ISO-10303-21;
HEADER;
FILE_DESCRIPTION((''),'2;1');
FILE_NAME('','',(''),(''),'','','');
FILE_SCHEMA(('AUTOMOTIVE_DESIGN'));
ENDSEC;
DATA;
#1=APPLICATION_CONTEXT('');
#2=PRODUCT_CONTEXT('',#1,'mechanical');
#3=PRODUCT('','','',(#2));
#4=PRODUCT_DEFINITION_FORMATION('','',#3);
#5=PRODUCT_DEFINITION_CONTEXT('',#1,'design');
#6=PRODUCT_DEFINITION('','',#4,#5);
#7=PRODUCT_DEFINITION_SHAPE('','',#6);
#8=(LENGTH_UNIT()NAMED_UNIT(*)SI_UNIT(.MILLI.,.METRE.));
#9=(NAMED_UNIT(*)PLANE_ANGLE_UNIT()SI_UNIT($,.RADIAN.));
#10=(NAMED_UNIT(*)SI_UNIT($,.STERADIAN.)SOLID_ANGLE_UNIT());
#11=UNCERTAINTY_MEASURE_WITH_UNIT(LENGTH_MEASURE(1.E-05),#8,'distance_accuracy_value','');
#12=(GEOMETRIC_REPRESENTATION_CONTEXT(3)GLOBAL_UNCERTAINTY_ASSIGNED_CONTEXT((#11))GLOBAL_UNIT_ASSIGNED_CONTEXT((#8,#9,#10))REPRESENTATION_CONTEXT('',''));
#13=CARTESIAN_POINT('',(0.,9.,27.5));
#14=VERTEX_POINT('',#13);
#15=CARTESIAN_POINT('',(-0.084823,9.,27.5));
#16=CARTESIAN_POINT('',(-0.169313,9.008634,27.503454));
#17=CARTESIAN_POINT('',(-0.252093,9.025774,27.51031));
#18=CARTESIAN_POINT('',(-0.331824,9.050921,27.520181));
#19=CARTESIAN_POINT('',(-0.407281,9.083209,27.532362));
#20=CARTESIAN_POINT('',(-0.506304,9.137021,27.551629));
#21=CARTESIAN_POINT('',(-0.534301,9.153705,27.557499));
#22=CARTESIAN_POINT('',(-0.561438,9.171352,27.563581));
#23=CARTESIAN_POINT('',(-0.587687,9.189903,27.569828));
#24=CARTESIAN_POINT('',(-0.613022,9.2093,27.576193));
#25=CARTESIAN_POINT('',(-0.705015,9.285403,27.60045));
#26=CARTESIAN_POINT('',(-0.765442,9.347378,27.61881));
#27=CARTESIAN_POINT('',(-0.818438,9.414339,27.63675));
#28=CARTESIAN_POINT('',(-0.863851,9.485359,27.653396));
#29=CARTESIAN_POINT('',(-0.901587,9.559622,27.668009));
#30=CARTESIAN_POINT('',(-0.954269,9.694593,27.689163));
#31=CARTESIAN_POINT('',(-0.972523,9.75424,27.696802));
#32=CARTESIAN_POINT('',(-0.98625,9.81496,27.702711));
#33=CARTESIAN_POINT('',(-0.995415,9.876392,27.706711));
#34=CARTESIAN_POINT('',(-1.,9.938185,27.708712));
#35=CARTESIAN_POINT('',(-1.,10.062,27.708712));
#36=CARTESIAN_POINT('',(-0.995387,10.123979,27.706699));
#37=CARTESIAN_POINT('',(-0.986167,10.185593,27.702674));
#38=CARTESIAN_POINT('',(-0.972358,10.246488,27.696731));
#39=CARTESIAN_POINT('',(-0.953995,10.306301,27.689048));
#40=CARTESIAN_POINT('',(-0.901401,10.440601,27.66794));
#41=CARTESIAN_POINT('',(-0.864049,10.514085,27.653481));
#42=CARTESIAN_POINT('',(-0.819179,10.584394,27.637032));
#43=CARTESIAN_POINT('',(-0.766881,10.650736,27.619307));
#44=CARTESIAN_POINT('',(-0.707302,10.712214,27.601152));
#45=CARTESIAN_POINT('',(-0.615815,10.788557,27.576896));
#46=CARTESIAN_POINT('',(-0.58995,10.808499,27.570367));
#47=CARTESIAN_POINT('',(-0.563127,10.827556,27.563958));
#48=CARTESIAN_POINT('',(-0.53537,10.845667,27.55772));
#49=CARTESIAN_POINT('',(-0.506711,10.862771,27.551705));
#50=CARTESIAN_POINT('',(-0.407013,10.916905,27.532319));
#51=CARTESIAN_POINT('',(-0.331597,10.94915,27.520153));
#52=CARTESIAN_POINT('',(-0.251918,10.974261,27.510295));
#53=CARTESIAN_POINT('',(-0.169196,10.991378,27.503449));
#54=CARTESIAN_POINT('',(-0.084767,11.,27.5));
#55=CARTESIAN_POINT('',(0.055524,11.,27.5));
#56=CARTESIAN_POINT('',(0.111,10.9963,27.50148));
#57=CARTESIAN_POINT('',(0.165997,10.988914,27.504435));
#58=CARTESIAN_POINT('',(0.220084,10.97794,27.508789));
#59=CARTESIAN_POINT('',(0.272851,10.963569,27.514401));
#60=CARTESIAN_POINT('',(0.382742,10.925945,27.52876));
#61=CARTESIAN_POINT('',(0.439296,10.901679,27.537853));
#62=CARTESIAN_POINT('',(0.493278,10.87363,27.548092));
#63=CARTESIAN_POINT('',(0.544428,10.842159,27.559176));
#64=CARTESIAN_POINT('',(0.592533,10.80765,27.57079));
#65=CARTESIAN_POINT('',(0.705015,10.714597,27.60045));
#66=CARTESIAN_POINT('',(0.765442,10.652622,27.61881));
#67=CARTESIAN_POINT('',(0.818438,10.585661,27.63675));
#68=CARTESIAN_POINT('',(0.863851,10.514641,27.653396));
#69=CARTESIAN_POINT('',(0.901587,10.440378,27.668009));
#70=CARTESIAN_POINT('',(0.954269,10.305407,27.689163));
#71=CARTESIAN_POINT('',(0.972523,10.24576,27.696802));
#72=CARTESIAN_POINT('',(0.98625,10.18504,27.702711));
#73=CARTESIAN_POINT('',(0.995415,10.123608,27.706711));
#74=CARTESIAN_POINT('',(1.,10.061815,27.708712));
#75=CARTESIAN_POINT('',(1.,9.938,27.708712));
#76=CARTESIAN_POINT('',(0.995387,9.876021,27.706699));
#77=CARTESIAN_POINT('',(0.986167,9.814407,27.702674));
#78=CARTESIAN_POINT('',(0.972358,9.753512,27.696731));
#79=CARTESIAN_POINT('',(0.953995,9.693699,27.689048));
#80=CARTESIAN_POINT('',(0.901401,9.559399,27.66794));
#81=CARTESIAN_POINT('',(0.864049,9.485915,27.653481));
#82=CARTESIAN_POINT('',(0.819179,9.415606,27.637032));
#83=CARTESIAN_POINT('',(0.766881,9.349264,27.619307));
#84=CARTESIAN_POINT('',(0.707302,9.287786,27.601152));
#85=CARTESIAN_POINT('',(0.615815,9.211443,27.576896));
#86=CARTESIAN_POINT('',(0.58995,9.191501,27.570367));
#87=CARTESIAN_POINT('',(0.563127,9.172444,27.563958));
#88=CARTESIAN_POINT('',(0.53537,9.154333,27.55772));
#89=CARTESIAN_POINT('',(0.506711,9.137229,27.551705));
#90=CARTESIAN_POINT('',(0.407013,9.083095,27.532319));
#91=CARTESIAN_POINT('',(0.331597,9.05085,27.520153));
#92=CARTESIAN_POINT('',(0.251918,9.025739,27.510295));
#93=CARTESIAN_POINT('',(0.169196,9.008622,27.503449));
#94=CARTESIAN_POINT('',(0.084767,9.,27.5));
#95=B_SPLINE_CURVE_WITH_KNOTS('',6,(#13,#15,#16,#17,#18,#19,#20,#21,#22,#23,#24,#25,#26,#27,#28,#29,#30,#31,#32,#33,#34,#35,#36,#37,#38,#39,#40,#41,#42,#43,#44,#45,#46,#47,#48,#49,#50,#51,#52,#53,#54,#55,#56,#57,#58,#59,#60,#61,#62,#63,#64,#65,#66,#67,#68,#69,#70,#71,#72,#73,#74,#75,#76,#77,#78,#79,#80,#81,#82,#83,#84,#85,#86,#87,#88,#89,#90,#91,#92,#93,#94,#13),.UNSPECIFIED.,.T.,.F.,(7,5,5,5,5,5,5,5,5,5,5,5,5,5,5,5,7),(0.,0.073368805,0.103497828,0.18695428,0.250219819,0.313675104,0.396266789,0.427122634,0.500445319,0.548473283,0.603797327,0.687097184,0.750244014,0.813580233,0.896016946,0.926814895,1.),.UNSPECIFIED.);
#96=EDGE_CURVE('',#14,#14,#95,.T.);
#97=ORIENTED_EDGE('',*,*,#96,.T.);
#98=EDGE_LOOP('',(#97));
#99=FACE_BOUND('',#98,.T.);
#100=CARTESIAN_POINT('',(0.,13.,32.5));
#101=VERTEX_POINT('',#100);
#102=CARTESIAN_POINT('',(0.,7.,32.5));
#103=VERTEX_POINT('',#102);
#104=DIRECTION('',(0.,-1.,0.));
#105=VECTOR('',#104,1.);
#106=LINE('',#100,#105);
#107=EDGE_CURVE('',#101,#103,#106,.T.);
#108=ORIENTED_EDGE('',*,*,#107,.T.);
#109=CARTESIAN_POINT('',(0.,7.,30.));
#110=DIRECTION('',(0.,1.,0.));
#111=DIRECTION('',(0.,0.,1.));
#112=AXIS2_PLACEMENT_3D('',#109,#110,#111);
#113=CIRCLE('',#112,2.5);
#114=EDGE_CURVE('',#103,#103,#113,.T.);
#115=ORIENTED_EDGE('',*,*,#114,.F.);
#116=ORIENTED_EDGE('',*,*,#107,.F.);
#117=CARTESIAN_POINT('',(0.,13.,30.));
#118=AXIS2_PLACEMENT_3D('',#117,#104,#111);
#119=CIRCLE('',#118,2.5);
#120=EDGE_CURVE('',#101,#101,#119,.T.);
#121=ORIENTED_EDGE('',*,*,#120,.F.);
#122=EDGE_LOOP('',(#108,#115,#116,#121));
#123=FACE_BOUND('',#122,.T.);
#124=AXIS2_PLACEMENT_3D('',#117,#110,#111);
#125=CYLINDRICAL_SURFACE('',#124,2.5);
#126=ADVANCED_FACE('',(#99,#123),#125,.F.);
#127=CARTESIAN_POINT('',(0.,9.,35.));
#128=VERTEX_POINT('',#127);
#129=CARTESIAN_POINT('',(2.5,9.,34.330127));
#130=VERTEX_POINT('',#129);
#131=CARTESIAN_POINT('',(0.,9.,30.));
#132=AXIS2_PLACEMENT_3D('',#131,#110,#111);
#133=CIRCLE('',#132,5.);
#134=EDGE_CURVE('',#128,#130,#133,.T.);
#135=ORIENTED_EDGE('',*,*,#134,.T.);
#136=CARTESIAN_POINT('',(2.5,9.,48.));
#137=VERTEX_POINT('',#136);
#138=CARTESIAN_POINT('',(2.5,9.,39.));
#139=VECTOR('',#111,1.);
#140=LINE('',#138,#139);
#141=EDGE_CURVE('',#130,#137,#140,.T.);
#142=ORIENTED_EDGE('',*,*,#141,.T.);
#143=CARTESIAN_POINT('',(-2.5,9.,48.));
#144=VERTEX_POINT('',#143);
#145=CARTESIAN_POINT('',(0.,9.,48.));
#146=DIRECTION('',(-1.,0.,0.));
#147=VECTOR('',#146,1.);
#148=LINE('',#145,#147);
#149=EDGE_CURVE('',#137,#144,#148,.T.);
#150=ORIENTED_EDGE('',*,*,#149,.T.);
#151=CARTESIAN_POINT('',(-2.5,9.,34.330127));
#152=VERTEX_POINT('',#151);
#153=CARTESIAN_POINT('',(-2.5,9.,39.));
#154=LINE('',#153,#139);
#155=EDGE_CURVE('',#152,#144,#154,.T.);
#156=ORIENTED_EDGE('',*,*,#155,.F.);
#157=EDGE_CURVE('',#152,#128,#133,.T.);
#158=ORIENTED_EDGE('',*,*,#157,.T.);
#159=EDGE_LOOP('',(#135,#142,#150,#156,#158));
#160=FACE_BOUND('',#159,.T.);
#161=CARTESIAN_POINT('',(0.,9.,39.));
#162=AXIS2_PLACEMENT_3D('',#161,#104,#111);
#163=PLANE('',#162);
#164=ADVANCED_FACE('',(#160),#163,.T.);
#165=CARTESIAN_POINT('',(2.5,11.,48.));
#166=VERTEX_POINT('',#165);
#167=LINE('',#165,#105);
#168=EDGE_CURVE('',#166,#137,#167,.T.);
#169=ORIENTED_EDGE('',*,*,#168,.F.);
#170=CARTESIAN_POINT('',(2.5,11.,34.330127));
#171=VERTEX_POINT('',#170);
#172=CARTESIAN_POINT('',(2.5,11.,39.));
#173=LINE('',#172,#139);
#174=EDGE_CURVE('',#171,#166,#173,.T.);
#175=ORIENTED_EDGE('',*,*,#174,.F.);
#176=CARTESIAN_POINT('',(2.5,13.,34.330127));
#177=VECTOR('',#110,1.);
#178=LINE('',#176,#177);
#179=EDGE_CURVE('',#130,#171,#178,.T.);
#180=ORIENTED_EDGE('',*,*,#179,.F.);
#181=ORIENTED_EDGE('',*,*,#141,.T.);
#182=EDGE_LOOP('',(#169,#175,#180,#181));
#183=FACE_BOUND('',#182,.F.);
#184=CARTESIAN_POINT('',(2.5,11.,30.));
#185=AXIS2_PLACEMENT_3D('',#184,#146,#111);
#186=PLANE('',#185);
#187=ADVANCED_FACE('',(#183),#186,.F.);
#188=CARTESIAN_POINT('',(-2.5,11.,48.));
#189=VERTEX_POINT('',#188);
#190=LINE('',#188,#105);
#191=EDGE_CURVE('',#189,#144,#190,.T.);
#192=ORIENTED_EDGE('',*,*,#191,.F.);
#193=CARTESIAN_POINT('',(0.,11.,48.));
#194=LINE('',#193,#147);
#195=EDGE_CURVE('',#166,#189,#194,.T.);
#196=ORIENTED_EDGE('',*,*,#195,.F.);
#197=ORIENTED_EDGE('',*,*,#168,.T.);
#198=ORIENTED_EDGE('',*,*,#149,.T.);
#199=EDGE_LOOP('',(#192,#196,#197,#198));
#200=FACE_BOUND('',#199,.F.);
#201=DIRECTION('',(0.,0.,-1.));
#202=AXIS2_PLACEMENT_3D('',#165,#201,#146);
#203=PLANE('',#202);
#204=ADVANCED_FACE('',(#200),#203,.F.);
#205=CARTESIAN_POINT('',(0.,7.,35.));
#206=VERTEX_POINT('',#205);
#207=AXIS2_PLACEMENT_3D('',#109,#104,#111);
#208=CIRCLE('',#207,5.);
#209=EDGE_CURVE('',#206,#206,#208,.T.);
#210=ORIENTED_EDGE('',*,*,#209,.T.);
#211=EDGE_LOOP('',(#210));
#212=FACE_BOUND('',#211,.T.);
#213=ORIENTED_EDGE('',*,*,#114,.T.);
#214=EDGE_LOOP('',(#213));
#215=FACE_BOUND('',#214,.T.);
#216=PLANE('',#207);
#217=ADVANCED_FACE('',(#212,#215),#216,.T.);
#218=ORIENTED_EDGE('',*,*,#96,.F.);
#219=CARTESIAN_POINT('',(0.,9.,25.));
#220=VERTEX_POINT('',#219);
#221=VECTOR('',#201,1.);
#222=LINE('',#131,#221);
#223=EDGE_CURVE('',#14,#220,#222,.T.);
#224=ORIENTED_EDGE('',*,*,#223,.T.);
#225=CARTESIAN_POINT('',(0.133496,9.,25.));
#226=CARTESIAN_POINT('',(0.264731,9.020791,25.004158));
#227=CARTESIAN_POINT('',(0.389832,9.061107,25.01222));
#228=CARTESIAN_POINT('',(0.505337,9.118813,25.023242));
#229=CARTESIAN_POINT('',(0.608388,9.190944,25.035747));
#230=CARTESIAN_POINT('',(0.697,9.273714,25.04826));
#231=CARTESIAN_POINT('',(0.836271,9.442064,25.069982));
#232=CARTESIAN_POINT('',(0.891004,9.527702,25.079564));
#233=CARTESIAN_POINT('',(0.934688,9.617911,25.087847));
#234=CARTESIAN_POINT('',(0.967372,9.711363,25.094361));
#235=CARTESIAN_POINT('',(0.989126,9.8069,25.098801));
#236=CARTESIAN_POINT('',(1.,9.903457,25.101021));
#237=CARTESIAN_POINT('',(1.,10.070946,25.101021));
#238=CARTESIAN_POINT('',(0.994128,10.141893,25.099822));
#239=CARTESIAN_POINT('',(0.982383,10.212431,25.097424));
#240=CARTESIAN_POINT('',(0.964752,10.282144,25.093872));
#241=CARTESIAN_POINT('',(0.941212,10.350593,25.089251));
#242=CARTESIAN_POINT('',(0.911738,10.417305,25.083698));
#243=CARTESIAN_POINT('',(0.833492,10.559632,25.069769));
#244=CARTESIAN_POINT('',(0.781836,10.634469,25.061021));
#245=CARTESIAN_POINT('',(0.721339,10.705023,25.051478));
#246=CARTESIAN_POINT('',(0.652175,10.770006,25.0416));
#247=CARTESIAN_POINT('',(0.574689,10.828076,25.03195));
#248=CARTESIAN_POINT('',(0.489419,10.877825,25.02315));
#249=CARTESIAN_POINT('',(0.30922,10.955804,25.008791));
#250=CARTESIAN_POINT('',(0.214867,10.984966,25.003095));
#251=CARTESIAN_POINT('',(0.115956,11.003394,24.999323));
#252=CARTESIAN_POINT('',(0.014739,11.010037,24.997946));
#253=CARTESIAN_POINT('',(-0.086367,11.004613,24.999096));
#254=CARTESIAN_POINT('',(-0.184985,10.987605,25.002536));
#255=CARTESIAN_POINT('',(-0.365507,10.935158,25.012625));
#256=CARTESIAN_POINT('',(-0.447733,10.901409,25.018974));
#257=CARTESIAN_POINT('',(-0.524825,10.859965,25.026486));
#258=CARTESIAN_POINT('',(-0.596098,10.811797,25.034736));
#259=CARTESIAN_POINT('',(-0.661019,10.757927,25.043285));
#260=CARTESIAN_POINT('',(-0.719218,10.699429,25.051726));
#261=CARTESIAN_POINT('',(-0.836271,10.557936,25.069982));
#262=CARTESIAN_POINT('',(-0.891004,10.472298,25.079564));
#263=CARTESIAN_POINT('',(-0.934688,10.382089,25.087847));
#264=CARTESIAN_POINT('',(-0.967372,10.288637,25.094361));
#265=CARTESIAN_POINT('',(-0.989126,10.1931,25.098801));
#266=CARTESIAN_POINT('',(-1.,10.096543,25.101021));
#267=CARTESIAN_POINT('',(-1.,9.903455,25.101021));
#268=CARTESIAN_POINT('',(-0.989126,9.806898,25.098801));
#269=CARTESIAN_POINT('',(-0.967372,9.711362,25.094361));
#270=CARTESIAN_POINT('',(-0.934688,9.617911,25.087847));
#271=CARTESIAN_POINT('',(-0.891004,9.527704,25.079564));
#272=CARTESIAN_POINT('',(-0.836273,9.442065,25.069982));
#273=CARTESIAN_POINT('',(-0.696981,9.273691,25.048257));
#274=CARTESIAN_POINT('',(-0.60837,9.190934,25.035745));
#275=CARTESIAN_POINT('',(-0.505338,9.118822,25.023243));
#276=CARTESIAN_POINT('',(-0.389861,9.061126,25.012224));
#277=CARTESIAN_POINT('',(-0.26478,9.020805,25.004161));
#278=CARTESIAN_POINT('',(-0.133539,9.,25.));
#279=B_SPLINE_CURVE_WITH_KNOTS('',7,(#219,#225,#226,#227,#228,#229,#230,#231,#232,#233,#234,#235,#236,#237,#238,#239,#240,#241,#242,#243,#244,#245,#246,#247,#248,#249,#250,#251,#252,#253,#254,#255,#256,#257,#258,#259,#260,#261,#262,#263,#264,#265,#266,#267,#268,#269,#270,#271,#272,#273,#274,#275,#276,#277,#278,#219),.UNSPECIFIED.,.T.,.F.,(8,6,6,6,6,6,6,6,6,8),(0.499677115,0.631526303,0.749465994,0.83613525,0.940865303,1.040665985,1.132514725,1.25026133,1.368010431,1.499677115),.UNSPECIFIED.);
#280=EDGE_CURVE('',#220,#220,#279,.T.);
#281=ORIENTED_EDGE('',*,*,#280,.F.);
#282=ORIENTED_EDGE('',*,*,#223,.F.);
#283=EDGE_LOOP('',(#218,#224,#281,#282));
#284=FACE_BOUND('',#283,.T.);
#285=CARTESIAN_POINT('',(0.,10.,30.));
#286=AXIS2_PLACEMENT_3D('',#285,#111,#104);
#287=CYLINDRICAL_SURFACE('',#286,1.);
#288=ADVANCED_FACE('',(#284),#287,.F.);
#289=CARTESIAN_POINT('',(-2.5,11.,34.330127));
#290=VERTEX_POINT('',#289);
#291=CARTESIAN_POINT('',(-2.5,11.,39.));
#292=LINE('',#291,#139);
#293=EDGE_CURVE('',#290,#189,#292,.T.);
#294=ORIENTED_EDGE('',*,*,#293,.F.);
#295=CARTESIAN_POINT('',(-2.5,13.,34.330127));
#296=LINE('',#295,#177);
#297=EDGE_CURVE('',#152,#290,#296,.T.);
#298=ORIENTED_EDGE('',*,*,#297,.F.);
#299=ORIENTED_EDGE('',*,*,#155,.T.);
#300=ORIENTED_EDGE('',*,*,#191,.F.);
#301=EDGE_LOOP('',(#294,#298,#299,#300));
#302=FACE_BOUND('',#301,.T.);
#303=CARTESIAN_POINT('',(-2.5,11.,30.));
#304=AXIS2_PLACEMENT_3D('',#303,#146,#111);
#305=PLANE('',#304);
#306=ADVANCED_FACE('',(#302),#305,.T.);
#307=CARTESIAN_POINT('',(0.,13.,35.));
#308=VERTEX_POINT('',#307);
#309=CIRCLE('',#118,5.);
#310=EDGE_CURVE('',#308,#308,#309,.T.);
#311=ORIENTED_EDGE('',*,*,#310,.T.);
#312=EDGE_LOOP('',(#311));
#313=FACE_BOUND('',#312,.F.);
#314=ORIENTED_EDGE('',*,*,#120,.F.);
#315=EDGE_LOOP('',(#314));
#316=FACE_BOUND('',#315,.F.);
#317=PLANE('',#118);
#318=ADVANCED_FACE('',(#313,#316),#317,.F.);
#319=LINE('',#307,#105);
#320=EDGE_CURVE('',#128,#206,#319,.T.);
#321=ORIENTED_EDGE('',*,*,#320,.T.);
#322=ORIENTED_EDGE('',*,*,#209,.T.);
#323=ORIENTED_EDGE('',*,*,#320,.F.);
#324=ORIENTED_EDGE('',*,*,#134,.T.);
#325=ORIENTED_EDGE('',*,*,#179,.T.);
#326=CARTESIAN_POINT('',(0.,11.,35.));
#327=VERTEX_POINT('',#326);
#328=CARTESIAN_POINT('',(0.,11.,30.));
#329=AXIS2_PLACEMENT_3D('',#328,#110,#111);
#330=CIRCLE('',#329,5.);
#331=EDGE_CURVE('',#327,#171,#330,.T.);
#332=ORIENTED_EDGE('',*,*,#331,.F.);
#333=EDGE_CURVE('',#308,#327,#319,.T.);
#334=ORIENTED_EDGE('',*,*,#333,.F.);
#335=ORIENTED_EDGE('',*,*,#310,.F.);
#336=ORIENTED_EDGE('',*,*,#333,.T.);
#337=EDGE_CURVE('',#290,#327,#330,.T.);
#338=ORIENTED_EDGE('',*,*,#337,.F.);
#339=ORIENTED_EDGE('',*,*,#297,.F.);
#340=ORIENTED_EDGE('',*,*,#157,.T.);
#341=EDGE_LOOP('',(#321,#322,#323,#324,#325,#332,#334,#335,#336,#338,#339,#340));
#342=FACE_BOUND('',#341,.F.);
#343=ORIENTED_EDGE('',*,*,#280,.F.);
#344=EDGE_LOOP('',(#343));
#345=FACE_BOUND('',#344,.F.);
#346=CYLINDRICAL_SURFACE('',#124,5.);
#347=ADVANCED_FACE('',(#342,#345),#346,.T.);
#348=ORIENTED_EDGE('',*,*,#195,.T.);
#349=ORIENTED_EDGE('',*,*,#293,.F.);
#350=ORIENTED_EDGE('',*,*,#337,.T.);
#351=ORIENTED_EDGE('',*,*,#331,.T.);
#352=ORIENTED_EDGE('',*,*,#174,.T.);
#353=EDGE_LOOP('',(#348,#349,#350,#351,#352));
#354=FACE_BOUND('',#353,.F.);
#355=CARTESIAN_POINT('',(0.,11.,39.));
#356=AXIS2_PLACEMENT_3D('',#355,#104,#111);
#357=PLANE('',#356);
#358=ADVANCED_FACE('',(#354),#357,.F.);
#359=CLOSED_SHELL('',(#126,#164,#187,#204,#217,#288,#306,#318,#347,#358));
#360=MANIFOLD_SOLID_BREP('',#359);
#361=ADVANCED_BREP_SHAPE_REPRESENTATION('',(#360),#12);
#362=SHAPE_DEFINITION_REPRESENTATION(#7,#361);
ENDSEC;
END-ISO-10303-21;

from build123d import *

# Parameters (mm, degrees)
CYLINDER019_R                = 1
CYLINDER019_DEPTH            = 5
CYLINDER018_R                = 2.5
CYLINDER018_DEPTH            = 8
CYLINDER017_R                = 5
CYLINDER017_DEPTH            = 6
BOX002_W                     = 18
BOX002_H                     = 5
BOX002_DEPTH                 = 2
CUT002002007_PITCH_ANGLE     = -90
CUT002002007_PLACEMENT_ANGLE = 90


with BuildPart() as cylinder019:
    # Cylinder019 → Cylinder019 (new body)
    with BuildSketch(Plane(origin=(0, 0, 3), x_dir=(0, 0, 1), z_dir=(-1, 0, 0))):
        Circle(CYLINDER019_R)
    extrude(amount=CYLINDER019_DEPTH)


with BuildPart() as fusion009:
    # Cylinder018 → Cylinder018 (new body)
    with BuildSketch(Plane.XY):
        Circle(CYLINDER018_R)
    extrude(amount=CYLINDER018_DEPTH)

    # Fusion009: union Cylinder019
    add(cylinder019.part)


with BuildPart() as cylinder017:
    # Cylinder017 → Cylinder017 (new body)
    with BuildSketch(Plane.XY):
        Circle(CYLINDER017_R)
    extrude(amount=CYLINDER017_DEPTH)


with BuildPart() as limitswitchpinminute:
    # Box002 → Box002 (new body)
    with BuildSketch(Plane(origin=(0, -2.5, 2), x_dir=(1, 0, 0), z_dir=(0, 0, 1))):
        with Locations((9, 2.5)):
            Rectangle(BOX002_W, BOX002_H)
    extrude(amount=BOX002_DEPTH)

    # Fusion008: union Cylinder017
    add(cylinder017.part)

    # Cut002002007: cut Fusion009
    add(fusion009.part, mode=Mode.SUBTRACT)


with BuildPart() as limitswitchpinminute_1:
    # Cut002002007 pitch: moved
    add(limitswitchpinminute.part.rotate(Axis((0, 0, 0), (0, 1, 0)), CUT002002007_PITCH_ANGLE))


with BuildPart() as limitswitchpinminute_2:
    # Cut002002007 placement: moved
    add(limitswitchpinminute_1.part.moved(Location((0, 13, 30))).rotate(Axis((0, 13, 30), (0, 0, 1)), CUT002002007_PLACEMENT_ANGLE))


solid = limitswitchpinminute_2.part
